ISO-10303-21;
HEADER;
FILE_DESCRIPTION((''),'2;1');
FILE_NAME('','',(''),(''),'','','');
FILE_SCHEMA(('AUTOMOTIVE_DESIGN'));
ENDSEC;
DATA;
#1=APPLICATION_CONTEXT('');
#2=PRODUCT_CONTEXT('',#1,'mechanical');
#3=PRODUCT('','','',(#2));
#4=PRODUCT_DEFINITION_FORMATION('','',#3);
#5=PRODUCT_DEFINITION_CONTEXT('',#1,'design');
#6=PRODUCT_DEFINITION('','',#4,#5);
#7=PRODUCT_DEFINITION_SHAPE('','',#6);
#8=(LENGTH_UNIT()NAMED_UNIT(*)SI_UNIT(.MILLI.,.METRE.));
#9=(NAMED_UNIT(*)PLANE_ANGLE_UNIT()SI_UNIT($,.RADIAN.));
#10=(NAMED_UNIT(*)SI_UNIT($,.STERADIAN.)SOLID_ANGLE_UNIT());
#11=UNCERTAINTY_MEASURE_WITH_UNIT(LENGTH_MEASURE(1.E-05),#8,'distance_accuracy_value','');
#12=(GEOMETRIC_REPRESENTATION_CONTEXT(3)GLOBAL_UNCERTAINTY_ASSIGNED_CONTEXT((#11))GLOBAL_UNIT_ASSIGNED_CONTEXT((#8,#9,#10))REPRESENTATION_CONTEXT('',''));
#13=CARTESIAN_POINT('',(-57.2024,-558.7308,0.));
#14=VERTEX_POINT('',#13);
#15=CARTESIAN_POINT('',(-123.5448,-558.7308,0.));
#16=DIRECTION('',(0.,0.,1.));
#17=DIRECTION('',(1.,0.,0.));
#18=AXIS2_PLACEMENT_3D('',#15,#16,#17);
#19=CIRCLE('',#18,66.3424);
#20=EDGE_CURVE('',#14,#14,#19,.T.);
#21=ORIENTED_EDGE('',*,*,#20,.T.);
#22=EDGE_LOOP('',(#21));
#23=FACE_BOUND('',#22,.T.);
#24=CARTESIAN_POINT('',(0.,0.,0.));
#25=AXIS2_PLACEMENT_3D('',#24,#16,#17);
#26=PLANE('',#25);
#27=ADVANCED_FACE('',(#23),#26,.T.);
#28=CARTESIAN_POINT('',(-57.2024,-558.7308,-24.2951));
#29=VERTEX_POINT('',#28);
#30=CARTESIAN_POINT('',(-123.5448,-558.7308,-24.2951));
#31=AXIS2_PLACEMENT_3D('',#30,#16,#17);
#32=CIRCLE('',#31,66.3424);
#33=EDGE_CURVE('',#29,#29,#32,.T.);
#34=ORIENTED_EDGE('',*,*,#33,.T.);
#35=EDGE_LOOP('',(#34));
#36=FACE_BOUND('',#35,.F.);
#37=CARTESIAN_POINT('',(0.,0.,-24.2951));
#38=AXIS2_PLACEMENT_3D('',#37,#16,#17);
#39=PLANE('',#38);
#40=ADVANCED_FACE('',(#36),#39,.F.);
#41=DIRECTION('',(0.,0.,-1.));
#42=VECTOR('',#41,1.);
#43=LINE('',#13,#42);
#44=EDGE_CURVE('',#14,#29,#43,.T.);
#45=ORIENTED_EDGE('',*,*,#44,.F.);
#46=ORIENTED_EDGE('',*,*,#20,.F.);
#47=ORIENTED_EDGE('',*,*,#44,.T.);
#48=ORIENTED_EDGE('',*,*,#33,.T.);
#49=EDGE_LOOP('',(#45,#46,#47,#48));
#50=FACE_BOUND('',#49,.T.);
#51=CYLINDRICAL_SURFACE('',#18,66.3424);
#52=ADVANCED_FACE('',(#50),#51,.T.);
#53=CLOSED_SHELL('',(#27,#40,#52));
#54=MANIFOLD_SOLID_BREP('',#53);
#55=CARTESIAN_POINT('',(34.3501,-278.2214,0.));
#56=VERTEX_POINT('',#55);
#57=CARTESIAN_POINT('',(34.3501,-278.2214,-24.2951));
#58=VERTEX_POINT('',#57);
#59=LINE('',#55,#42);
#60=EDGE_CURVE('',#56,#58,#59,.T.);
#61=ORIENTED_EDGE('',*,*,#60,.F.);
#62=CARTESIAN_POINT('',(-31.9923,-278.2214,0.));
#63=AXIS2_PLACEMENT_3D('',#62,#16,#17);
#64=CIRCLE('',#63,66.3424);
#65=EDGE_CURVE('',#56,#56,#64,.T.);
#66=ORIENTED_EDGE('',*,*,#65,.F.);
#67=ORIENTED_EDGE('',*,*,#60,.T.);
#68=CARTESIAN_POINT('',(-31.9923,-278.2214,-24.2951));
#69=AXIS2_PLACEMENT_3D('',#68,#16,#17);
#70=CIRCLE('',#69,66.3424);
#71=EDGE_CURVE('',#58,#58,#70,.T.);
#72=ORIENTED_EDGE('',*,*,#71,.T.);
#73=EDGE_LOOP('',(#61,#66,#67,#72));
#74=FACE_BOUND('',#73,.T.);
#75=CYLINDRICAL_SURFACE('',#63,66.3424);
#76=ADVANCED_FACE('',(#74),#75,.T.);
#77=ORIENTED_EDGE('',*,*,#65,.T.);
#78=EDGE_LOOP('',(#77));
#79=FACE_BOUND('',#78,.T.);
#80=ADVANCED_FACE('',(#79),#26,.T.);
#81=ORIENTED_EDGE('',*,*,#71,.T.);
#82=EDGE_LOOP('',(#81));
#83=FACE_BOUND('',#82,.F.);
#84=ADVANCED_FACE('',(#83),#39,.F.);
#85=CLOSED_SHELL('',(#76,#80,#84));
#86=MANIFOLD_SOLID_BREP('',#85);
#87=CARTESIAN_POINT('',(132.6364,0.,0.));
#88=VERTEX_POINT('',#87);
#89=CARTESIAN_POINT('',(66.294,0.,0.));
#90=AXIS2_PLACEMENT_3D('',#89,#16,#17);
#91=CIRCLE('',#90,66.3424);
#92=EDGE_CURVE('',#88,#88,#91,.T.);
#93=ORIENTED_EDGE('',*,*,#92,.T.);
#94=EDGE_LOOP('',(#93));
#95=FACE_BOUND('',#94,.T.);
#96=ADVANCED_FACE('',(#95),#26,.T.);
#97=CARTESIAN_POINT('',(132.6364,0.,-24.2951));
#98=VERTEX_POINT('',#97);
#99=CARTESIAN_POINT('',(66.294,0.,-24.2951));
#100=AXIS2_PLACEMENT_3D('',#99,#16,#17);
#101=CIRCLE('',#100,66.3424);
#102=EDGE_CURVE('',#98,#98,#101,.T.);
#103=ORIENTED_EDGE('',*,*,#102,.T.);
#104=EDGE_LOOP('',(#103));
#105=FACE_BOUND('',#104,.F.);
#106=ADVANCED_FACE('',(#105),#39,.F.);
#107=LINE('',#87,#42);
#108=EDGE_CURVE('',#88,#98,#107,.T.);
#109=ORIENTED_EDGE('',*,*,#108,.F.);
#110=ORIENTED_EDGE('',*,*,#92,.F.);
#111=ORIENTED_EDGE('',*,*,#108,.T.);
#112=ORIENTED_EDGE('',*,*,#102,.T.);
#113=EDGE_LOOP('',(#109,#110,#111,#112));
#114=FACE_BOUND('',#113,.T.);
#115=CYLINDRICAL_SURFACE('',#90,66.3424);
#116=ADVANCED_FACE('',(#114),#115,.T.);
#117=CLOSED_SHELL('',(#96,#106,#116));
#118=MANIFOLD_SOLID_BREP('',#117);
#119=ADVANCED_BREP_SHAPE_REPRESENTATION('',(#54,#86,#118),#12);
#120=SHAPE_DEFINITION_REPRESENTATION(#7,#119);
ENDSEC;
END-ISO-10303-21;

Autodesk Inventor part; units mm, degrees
ref_plane "YZ Plane" through (0, 0, 0) normal (1, 0, 0) x (0, 1, 0)
ref_plane "XZ Plane" through (0, 0, 0) normal (0, 1, 0) x (-1, 0, 0)
sketch "Sketch1" plane through (0, 0, 0) normal (0, 0, 1) x (1, 0, 0)
  circle A0 centre (66.294, 0) radius 66.3424 projected
  circle A1 centre (-31.9923, -278.2214) radius 66.3424 projected
  circle A2 centre (-123.5448, -558.7308) radius 66.3424 projected
  point P0 (0, 0)
ref_plane "Work Plane1" through (-256.2384, -691.4245, -24.2951) normal (0, 0, -1) x (-0.3658, 0.9307, 0)
extrude "Extrusion1" add sketch "Sketch1" against normal up to surface (24.2951 mm away)
properties part number "WheelCover"
